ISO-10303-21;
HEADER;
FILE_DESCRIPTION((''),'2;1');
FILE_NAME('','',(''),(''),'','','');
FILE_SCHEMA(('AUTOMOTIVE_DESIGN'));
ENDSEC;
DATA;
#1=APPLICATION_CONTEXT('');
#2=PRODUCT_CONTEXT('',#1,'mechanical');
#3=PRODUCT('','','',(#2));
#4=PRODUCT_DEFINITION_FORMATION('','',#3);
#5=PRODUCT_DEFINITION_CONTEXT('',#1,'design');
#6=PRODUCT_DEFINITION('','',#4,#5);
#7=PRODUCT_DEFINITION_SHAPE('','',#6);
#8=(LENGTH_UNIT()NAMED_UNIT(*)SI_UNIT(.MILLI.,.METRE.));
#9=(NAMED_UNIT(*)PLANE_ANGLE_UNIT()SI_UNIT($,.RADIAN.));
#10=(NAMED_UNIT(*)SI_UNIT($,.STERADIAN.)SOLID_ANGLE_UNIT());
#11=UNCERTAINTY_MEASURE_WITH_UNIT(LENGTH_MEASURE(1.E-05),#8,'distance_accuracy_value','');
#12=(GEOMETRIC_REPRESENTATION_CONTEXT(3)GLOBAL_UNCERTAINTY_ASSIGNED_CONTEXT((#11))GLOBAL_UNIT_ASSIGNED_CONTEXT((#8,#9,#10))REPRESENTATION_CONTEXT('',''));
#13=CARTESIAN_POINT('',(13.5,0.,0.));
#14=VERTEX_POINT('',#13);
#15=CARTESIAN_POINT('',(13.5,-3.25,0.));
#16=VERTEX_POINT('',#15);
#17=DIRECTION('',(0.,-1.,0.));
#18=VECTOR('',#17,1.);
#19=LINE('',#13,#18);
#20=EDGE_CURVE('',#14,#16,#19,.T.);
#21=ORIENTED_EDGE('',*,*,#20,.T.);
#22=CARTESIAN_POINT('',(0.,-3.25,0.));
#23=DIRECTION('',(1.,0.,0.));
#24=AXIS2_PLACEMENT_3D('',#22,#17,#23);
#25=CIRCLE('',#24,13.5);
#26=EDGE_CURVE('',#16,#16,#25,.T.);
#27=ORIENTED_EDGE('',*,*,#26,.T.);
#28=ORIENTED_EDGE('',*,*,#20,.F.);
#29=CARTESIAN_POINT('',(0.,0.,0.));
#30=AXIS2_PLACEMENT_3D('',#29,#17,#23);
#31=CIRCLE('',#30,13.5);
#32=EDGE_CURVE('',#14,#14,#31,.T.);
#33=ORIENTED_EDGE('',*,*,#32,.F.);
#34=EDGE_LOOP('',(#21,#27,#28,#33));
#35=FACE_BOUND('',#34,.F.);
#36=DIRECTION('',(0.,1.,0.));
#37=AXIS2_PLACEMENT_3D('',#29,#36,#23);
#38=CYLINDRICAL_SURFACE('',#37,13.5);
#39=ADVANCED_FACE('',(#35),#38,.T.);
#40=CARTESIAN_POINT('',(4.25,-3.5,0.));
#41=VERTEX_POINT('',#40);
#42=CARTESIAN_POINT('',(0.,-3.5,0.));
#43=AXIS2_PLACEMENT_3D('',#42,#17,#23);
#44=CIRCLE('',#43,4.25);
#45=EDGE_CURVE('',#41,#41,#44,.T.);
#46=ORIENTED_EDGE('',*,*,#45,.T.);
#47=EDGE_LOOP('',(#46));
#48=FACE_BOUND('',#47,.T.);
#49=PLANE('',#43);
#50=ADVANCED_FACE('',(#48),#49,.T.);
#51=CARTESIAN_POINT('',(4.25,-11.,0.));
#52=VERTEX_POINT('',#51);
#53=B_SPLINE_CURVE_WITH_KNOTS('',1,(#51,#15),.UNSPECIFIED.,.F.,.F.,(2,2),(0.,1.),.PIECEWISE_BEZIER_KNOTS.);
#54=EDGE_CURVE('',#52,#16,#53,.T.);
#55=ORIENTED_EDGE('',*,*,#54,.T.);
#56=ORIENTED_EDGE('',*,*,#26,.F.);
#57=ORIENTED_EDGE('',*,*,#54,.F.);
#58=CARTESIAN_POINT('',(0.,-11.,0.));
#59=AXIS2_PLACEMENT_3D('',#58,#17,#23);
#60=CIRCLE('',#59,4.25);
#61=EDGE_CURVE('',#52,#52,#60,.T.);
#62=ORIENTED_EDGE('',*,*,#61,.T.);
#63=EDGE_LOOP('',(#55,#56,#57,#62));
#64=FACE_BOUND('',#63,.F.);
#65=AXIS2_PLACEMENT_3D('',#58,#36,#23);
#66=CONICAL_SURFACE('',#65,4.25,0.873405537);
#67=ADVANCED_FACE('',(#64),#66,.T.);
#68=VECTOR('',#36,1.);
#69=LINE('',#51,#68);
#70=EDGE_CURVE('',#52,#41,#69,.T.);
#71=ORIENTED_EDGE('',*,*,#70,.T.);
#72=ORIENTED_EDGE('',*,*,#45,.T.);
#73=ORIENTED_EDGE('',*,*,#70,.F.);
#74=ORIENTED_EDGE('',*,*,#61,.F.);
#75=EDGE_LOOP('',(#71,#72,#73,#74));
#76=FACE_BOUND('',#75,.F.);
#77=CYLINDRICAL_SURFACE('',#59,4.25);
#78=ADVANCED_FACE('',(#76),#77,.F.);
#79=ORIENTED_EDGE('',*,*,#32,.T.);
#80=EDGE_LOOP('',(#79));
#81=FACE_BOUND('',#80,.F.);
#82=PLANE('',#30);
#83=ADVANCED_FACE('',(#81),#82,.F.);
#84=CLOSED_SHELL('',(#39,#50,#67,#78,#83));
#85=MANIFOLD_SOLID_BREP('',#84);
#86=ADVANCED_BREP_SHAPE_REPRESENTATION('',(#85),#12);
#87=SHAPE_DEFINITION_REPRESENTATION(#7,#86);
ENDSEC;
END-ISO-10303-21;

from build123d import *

# Parameters (mm, degrees)
F0_R      = 13.5
F1_DEPTH  = 3.25
F3_R      = 4.25
F1_FACE_R = 13.5
F5_R      = 4.25
F6_DEPTH  = 7.5


with BuildPart() as f1:
    # F0 (on Front) → F1 (new body)
    with BuildSketch(Plane.XZ):
        Circle(F0_R)
    extrude(amount=F1_DEPTH)

    # F3 (on offset) → F4 section 0
    with BuildSketch(Plane.XZ.offset(11)):
        Circle(F3_R)
    # F1_face (on face) → F4 section 1
    with BuildSketch(Plane.XZ.offset(3.25)):
        Circle(F1_FACE_R)
    loft()

    # F5 (on face) → F6 (cut)
    with BuildSketch(Plane.XZ.offset(11)):
        Circle(F5_R)
    extrude(amount=-F6_DEPTH, mode=Mode.SUBTRACT)


solid = f1.part
